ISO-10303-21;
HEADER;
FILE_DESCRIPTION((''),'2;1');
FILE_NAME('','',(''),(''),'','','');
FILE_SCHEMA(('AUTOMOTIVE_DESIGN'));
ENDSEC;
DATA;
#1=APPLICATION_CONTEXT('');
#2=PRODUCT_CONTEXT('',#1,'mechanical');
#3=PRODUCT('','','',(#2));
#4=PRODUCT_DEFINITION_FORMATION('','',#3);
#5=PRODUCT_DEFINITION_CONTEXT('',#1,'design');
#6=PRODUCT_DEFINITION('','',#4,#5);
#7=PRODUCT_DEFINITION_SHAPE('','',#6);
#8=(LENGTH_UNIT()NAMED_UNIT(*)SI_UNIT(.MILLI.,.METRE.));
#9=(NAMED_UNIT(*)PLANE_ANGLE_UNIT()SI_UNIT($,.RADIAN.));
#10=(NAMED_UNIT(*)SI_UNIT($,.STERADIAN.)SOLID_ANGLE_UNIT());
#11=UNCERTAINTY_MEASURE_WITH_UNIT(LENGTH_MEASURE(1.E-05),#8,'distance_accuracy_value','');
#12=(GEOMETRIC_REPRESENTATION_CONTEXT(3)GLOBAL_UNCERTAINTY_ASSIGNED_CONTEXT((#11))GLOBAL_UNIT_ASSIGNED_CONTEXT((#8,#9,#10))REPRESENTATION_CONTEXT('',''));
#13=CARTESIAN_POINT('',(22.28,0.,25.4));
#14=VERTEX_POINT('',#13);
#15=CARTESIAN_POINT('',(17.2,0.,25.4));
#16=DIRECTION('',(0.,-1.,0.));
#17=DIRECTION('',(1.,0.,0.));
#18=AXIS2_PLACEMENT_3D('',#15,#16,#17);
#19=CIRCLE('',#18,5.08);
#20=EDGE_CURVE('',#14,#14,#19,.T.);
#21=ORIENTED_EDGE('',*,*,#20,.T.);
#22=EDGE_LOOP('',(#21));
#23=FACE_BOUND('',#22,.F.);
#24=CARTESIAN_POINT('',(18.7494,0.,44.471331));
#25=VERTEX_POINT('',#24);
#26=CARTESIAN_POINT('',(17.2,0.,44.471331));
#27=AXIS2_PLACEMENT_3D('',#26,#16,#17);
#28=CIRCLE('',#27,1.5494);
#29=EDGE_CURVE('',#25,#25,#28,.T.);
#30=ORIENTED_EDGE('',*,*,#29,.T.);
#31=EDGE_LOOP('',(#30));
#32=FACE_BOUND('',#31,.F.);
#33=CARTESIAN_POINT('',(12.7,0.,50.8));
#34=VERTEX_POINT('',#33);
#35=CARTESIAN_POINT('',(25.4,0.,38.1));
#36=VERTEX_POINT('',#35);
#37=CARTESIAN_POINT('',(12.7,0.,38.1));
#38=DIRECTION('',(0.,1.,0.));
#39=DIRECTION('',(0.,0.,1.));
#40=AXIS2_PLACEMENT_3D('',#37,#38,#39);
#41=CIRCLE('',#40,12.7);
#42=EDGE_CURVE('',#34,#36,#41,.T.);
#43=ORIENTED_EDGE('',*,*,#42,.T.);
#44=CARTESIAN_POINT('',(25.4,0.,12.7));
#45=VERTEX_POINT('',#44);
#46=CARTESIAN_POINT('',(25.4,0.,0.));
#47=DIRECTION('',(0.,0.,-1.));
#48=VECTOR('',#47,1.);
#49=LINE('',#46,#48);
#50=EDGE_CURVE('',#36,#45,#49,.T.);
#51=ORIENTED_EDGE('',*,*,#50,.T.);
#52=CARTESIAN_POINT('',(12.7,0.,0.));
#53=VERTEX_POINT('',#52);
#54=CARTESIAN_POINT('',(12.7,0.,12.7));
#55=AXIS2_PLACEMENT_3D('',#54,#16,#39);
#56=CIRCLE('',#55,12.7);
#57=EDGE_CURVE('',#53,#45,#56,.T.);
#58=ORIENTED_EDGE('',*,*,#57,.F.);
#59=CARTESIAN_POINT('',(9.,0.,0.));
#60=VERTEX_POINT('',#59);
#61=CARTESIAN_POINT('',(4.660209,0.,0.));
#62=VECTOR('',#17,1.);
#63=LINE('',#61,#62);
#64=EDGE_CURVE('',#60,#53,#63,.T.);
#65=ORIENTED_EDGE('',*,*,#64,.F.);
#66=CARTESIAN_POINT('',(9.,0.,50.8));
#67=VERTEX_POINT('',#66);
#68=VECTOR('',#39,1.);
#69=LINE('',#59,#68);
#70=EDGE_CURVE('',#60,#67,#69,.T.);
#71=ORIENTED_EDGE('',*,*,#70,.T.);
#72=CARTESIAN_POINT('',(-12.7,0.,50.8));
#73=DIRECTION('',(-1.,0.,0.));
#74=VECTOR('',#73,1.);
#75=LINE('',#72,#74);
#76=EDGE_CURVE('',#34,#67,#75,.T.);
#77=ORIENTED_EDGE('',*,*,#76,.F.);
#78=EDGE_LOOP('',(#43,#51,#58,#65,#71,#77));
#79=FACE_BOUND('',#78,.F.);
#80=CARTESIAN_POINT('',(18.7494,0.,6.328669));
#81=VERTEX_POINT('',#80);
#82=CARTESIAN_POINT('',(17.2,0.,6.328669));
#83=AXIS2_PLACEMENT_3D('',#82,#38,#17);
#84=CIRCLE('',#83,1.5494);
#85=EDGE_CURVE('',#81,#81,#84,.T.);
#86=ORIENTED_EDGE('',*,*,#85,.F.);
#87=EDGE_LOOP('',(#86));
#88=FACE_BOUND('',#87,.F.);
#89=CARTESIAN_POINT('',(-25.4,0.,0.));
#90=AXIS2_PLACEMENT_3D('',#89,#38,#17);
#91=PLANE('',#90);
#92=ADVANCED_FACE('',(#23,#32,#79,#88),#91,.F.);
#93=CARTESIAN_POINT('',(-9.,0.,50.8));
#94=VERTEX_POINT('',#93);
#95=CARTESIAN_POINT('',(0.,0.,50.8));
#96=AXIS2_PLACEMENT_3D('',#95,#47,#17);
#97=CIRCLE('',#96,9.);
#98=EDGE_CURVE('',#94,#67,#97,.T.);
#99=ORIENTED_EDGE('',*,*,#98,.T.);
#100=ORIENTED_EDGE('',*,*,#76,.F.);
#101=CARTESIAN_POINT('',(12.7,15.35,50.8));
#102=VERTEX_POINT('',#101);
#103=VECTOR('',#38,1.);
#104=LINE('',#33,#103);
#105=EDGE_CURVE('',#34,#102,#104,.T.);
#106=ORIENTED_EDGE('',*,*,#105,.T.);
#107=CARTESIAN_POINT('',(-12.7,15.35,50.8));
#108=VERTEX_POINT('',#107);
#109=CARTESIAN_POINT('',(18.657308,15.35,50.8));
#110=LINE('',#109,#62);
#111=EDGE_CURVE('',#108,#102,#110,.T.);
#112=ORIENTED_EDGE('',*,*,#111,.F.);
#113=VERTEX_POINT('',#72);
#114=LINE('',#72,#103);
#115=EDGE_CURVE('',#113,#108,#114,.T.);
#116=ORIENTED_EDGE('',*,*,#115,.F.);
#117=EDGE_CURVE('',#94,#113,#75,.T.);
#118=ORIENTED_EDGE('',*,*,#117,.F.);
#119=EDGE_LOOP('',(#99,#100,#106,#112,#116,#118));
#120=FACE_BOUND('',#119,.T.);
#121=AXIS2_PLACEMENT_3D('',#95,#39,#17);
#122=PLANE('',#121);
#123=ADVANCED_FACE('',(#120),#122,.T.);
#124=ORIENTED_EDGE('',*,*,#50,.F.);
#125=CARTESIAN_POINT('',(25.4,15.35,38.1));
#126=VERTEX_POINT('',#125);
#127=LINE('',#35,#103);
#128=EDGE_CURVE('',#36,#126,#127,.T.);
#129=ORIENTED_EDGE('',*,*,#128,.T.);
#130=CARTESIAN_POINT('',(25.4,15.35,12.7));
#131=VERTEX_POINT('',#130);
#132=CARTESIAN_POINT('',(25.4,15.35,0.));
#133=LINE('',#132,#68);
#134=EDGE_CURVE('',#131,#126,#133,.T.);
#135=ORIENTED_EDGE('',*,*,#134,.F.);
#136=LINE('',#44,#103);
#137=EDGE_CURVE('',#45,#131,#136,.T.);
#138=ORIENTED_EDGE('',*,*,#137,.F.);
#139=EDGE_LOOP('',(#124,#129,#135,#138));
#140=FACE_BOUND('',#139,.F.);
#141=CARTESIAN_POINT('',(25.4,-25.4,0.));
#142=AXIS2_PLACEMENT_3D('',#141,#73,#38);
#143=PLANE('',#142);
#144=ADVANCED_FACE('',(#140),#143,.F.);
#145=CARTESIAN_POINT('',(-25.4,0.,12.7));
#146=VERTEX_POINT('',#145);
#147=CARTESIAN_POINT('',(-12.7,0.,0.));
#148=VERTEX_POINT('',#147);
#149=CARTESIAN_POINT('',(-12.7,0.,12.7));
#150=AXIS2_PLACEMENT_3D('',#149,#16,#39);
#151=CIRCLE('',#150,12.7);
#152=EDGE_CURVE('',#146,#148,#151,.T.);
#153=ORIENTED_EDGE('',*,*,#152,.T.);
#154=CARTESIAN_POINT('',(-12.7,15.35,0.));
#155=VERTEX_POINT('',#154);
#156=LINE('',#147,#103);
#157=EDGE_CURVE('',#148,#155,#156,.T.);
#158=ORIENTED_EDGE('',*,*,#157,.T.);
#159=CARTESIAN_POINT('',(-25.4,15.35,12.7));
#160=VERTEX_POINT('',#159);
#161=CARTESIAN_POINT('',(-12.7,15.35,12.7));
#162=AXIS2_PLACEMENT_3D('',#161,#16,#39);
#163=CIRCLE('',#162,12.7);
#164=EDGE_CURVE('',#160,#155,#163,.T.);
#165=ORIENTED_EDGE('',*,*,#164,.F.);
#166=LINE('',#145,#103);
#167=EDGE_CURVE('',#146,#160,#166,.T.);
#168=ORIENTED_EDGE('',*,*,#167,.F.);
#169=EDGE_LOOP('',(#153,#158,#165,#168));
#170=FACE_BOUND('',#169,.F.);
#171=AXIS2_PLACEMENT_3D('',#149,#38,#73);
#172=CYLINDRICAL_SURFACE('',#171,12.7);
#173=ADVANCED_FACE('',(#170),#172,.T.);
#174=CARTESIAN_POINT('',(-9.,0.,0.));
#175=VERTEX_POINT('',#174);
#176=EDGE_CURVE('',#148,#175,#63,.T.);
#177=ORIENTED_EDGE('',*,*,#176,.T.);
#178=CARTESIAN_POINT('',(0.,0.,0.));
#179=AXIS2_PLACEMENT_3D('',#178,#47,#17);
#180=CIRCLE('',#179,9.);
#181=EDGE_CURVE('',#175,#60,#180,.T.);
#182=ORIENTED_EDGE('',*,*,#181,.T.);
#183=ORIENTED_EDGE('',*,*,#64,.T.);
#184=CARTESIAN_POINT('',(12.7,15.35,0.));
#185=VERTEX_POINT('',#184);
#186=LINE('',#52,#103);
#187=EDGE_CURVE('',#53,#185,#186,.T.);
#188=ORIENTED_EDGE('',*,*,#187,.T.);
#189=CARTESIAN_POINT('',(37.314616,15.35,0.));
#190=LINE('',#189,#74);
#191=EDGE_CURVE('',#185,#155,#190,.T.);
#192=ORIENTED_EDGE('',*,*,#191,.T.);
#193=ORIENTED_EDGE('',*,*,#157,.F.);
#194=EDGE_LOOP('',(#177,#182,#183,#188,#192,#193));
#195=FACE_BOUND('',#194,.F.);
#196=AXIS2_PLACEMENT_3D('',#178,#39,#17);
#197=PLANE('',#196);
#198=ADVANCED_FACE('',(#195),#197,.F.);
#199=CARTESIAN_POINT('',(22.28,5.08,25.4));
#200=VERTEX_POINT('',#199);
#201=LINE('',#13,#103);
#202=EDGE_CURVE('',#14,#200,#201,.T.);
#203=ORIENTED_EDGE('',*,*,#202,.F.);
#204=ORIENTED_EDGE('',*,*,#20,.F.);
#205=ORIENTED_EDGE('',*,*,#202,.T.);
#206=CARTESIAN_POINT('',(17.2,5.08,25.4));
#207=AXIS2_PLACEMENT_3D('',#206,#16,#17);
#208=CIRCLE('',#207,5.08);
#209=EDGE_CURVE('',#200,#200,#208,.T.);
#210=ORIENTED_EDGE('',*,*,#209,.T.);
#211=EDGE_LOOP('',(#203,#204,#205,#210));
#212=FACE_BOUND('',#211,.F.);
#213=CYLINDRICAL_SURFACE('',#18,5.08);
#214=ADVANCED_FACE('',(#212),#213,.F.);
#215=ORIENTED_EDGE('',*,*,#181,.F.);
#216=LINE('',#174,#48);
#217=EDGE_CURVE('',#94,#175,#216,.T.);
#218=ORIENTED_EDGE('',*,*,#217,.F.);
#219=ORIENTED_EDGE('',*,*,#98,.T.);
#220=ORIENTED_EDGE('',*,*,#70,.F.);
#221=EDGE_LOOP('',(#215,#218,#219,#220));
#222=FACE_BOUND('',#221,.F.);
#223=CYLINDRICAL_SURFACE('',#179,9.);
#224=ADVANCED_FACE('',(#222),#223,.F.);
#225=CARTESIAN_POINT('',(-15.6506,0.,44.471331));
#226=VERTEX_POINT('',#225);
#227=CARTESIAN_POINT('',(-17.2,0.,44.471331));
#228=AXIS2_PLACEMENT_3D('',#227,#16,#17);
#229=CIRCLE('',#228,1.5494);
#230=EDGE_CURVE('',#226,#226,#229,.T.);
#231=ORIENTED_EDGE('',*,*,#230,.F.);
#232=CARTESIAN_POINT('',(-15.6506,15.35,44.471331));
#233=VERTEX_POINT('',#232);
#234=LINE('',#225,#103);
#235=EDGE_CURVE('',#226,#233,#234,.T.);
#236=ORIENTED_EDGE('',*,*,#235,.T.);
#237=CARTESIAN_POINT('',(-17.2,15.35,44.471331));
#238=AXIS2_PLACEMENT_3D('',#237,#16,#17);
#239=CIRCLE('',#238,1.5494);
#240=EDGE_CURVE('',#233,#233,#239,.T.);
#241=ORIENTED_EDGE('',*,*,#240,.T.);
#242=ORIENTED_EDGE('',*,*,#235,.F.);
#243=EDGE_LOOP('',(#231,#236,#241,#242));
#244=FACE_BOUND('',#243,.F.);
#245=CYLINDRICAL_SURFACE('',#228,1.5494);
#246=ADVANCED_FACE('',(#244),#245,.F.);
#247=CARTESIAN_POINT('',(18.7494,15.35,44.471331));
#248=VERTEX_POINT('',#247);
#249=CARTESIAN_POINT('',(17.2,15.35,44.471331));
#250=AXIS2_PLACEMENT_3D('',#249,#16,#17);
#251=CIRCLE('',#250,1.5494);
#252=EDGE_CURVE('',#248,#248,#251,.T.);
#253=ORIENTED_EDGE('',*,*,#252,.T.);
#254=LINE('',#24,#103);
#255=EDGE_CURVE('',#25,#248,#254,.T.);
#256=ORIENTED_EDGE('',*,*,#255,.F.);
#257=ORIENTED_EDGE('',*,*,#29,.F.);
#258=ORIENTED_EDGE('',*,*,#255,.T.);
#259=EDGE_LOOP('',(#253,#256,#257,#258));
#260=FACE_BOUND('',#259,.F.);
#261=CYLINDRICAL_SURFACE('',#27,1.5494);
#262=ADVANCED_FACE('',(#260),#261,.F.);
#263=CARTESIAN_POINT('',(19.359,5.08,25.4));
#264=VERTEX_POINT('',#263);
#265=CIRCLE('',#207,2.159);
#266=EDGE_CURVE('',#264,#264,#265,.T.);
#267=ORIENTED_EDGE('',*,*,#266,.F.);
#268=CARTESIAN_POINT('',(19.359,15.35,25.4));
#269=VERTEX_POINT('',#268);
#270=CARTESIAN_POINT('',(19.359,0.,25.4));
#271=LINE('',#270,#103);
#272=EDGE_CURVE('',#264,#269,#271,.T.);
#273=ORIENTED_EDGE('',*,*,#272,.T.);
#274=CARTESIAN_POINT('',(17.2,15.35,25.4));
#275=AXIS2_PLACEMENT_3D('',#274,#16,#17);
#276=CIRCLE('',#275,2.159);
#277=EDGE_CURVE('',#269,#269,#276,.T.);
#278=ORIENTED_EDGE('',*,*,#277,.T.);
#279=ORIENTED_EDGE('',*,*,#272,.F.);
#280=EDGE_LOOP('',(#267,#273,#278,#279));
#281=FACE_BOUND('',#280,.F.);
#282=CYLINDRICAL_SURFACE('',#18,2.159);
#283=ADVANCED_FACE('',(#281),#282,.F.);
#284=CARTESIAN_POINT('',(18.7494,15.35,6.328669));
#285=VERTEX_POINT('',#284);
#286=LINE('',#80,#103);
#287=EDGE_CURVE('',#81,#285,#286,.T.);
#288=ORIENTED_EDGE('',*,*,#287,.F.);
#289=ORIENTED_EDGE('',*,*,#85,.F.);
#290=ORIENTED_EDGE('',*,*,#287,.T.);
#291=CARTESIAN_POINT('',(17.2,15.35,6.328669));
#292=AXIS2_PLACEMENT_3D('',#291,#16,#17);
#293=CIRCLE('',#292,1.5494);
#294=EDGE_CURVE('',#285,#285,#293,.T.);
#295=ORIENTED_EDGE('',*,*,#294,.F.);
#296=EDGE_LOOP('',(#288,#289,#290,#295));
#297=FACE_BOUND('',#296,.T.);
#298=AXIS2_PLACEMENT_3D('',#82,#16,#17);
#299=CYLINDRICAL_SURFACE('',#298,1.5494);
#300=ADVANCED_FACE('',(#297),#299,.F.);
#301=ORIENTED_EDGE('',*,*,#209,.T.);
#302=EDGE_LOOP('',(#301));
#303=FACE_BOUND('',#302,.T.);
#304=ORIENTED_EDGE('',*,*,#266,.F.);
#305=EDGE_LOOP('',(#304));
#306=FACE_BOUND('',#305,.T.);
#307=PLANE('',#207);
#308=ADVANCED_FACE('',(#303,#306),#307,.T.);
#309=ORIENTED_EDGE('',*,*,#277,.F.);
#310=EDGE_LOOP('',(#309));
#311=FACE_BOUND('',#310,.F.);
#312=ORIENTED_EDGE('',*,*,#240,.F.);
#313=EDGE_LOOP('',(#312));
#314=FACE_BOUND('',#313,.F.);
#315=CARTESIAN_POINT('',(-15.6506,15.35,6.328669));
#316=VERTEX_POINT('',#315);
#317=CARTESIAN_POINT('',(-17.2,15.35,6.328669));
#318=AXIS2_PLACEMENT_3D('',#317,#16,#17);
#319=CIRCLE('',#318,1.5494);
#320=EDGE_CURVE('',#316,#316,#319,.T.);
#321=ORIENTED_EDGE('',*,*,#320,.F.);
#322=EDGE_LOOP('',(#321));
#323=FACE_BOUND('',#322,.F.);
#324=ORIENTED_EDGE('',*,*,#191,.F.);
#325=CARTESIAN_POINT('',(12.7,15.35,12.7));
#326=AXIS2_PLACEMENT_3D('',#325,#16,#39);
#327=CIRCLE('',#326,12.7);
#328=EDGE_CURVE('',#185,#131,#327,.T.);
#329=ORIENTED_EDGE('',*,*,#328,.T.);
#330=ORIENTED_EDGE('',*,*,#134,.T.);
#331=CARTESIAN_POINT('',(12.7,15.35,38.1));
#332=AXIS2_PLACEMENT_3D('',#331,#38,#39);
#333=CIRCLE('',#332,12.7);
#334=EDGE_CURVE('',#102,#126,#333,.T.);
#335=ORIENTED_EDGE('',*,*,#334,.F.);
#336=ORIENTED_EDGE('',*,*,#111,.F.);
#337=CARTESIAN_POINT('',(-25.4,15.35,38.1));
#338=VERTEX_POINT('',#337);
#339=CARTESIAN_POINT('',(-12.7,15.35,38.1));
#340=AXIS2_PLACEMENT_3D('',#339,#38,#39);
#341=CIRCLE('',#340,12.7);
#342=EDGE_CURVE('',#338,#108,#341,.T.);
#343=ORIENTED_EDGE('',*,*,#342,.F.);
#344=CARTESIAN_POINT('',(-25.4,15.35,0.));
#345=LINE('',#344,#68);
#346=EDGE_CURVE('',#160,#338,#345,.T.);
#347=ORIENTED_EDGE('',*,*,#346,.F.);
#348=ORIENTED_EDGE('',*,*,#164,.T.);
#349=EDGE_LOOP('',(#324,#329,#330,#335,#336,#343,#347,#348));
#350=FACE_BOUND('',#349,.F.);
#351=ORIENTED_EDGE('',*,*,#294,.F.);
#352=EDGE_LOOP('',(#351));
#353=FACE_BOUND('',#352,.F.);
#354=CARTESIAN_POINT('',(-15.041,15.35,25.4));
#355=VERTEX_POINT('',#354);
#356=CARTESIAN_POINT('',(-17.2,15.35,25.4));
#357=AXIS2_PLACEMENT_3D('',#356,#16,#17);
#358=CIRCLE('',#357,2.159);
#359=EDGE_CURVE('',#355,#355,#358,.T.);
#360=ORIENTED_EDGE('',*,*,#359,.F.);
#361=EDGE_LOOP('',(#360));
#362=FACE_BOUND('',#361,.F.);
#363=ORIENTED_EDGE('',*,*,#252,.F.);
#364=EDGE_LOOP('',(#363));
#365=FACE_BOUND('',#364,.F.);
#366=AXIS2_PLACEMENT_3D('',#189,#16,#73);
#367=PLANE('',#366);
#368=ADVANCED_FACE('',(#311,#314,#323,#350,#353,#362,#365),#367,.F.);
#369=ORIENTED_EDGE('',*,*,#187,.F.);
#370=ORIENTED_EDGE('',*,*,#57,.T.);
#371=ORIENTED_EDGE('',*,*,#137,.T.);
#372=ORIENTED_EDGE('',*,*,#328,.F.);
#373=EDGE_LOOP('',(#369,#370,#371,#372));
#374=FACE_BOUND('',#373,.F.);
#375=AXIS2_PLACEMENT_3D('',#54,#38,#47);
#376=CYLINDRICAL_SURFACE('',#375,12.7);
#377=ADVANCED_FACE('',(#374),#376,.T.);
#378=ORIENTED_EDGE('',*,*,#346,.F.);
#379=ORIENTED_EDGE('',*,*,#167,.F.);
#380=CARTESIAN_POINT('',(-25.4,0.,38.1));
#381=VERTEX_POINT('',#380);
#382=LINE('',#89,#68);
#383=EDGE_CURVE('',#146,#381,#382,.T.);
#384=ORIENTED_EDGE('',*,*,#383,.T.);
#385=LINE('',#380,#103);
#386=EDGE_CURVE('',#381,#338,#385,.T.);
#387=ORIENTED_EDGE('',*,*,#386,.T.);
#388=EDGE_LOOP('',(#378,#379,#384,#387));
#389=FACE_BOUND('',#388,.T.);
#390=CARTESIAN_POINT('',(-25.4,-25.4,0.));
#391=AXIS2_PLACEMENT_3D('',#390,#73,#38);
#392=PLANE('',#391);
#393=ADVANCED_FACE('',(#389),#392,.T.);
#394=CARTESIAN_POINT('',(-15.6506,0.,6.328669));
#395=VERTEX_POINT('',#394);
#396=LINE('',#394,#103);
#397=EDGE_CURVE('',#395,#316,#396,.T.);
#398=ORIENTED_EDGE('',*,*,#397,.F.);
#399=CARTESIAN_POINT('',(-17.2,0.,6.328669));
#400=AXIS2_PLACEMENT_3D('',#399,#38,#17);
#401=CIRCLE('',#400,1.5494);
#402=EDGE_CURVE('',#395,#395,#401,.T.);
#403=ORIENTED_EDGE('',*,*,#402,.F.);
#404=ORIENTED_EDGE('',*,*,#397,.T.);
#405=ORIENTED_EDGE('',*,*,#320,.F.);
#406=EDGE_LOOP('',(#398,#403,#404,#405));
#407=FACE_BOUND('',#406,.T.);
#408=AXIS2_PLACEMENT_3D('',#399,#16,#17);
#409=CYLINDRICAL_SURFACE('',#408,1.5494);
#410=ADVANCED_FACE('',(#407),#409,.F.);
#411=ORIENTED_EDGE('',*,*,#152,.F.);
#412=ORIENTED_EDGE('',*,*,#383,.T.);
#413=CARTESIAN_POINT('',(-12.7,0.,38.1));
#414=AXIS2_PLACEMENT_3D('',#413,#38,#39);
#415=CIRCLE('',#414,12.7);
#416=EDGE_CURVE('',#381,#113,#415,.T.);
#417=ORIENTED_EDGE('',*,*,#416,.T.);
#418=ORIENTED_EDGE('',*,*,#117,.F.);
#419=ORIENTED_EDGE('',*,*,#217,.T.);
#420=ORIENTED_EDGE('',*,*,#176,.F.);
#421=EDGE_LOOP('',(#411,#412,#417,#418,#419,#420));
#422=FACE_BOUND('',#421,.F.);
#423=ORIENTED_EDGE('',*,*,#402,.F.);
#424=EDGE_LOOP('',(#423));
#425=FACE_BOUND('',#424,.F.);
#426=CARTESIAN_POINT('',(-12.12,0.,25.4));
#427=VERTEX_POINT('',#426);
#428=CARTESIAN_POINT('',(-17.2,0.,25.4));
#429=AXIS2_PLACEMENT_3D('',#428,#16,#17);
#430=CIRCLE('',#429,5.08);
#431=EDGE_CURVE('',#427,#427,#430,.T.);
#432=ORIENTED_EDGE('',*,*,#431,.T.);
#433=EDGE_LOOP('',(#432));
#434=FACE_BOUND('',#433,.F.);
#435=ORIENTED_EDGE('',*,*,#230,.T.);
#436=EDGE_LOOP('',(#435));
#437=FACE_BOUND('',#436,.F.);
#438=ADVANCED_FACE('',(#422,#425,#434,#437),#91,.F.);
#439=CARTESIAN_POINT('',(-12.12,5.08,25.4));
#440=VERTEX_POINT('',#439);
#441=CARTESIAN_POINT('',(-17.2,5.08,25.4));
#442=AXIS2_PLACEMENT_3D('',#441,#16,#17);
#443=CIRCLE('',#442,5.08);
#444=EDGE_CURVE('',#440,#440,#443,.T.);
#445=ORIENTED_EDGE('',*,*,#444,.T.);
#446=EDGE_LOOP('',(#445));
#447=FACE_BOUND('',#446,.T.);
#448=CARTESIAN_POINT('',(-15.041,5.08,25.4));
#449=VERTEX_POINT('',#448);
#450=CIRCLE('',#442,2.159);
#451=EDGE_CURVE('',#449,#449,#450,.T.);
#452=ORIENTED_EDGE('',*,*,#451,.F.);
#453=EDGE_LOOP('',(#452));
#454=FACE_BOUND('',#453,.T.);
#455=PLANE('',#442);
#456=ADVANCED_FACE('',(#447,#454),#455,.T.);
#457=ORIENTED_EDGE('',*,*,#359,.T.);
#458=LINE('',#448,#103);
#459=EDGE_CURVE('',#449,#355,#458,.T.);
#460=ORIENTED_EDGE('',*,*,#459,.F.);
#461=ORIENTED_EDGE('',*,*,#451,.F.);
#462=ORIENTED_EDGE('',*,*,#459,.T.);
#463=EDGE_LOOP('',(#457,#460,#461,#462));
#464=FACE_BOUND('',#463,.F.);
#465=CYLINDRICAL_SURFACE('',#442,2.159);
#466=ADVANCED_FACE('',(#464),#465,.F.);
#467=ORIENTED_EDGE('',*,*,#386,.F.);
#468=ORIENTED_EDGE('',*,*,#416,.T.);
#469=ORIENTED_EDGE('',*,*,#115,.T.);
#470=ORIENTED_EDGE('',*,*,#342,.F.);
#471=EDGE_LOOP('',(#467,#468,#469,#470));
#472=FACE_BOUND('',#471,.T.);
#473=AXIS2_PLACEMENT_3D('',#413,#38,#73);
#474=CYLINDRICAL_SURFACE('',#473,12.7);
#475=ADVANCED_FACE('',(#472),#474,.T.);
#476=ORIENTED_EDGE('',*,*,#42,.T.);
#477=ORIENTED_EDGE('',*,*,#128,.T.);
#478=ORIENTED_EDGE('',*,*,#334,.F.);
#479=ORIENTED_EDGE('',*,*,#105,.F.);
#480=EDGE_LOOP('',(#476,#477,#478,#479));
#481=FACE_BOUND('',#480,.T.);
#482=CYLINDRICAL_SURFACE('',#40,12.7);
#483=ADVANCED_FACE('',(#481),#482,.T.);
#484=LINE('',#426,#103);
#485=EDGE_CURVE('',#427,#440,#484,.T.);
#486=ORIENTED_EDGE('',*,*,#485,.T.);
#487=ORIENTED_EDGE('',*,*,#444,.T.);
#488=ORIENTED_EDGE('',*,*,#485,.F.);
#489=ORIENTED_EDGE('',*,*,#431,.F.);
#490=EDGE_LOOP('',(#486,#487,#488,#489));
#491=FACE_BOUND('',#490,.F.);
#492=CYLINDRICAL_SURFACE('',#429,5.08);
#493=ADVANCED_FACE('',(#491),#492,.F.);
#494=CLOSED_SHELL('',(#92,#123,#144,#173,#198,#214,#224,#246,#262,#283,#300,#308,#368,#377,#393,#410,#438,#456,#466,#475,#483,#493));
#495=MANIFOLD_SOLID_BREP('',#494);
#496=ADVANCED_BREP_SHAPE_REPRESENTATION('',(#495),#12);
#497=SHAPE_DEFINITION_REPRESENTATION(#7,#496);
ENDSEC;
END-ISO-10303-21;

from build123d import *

# Parameters (mm, degrees)
F0_W      = 50.8
F0_H      = 50.8
F1_DEPTH  = 50.8
F2_R      = 9
F3_DEPTH  = 407.416
F4_W      = 60.1204171121
F4_H      = 25.4
F5_DEPTH  = 338.582
F6_R      = 5.08
F7_DEPTH  = 5.08
F8_R      = 2.159
F9_DEPTH  = 25.4
F10_R     = 1.5494
F11_DEPTH = 25.4
F12_R     = 1.5494
F12_R_2   = 2.159
F13_DEPTH = 25.4
F14_R     = 5.08
F15_DEPTH = 5.08
F19_DEPTH = 72.39
F22_R     = 12.7


with BuildPart() as f1:
    # F0 (on Top) → F1 (new body)
    with BuildSketch(Plane.XY):
        Rectangle(F0_W, F0_H)
    extrude(amount=F1_DEPTH)

    # F2 (on face) → F3 (cut)
    with BuildSketch(Plane(origin=(0, 0, 0), x_dir=(1, 0, 0), z_dir=(0, 0, -1))):
        Circle(F2_R)
    extrude(amount=-F3_DEPTH, mode=Mode.SUBTRACT)

    # F4 (on face) → F5 (cut)
    with BuildSketch(Plane(origin=(0, 0, 0), x_dir=(1, 0, 0), z_dir=(0, 0, -1))):
        with Locations((4.6602085561, 12.7)):
            Rectangle(F4_W, F4_H)
    extrude(amount=-F5_DEPTH, mode=Mode.SUBTRACT)

    # F6 (on face) → F7 (cut)
    with BuildSketch(Plane.XZ):
        with Locations((-17.2, 25.4)):
            Circle(F6_R)
    extrude(amount=-F7_DEPTH, mode=Mode.SUBTRACT)

    # F8 (on face) → F9 (cut)
    with BuildSketch(Plane.XZ.offset(-5.08)):
        with Locations((-17.2, 25.4)):
            Circle(F8_R)
    extrude(amount=-F9_DEPTH, mode=Mode.SUBTRACT)

    # F10 (on face) → F11 (cut)
    with BuildSketch(Plane.XZ):
        with Locations((-17.2, 44.4713309407)):
            Circle(F10_R)
    extrude(amount=-F11_DEPTH, mode=Mode.SUBTRACT)

    # F12 (on face) → F13 (cut)
    with BuildSketch(Plane.XZ):
        with Locations((17.2, 44.4713309407)):
            Circle(F12_R)
        with Locations((17.2, 25.4)):
            Circle(F12_R_2)
    extrude(amount=-F13_DEPTH, mode=Mode.SUBTRACT)

    # F14 (on face) → F15 (cut)
    with BuildSketch(Plane.XZ):
        with Locations((17.2, 25.4)):
            Circle(F14_R)
    extrude(amount=-F15_DEPTH, mode=Mode.SUBTRACT)

    # F17: F1 across plane


with BuildPart() as f1_1:
    add(f1.part)
    add(f1.part.mirror(Plane(origin=(0, 13.6714489466, 25.4), x_dir=(1, 0, 0), z_dir=(0, 0, 1))), mode=Mode.INTERSECT)

    # F18 (on face) → F19 (cut)
    with BuildSketch(Plane(origin=(0, 0, 0), x_dir=(1, 0, 0), z_dir=(0, 0, -1))):
        Polygon((37.3146161437, -15.35), (0, -15.35), (-44.7141490877, -15.35), (-42.6479764283, -31.9298505783), (43.3826521039, -33.9571945369), align=None)
    extrude(amount=-F19_DEPTH, mode=Mode.SUBTRACT)

    # F22
    f22_edges = [f1_1.edges().sort_by_distance(p)[0] for p in [
        (25.4, 7.675, 50.8),
        (25.4, 7.675, 0),
        (-25.4, 7.675, 50.8),
        (-25.4, 7.675, 0),
    ]]
    fillet(f22_edges, radius=F22_R)


solid = f1_1.part
